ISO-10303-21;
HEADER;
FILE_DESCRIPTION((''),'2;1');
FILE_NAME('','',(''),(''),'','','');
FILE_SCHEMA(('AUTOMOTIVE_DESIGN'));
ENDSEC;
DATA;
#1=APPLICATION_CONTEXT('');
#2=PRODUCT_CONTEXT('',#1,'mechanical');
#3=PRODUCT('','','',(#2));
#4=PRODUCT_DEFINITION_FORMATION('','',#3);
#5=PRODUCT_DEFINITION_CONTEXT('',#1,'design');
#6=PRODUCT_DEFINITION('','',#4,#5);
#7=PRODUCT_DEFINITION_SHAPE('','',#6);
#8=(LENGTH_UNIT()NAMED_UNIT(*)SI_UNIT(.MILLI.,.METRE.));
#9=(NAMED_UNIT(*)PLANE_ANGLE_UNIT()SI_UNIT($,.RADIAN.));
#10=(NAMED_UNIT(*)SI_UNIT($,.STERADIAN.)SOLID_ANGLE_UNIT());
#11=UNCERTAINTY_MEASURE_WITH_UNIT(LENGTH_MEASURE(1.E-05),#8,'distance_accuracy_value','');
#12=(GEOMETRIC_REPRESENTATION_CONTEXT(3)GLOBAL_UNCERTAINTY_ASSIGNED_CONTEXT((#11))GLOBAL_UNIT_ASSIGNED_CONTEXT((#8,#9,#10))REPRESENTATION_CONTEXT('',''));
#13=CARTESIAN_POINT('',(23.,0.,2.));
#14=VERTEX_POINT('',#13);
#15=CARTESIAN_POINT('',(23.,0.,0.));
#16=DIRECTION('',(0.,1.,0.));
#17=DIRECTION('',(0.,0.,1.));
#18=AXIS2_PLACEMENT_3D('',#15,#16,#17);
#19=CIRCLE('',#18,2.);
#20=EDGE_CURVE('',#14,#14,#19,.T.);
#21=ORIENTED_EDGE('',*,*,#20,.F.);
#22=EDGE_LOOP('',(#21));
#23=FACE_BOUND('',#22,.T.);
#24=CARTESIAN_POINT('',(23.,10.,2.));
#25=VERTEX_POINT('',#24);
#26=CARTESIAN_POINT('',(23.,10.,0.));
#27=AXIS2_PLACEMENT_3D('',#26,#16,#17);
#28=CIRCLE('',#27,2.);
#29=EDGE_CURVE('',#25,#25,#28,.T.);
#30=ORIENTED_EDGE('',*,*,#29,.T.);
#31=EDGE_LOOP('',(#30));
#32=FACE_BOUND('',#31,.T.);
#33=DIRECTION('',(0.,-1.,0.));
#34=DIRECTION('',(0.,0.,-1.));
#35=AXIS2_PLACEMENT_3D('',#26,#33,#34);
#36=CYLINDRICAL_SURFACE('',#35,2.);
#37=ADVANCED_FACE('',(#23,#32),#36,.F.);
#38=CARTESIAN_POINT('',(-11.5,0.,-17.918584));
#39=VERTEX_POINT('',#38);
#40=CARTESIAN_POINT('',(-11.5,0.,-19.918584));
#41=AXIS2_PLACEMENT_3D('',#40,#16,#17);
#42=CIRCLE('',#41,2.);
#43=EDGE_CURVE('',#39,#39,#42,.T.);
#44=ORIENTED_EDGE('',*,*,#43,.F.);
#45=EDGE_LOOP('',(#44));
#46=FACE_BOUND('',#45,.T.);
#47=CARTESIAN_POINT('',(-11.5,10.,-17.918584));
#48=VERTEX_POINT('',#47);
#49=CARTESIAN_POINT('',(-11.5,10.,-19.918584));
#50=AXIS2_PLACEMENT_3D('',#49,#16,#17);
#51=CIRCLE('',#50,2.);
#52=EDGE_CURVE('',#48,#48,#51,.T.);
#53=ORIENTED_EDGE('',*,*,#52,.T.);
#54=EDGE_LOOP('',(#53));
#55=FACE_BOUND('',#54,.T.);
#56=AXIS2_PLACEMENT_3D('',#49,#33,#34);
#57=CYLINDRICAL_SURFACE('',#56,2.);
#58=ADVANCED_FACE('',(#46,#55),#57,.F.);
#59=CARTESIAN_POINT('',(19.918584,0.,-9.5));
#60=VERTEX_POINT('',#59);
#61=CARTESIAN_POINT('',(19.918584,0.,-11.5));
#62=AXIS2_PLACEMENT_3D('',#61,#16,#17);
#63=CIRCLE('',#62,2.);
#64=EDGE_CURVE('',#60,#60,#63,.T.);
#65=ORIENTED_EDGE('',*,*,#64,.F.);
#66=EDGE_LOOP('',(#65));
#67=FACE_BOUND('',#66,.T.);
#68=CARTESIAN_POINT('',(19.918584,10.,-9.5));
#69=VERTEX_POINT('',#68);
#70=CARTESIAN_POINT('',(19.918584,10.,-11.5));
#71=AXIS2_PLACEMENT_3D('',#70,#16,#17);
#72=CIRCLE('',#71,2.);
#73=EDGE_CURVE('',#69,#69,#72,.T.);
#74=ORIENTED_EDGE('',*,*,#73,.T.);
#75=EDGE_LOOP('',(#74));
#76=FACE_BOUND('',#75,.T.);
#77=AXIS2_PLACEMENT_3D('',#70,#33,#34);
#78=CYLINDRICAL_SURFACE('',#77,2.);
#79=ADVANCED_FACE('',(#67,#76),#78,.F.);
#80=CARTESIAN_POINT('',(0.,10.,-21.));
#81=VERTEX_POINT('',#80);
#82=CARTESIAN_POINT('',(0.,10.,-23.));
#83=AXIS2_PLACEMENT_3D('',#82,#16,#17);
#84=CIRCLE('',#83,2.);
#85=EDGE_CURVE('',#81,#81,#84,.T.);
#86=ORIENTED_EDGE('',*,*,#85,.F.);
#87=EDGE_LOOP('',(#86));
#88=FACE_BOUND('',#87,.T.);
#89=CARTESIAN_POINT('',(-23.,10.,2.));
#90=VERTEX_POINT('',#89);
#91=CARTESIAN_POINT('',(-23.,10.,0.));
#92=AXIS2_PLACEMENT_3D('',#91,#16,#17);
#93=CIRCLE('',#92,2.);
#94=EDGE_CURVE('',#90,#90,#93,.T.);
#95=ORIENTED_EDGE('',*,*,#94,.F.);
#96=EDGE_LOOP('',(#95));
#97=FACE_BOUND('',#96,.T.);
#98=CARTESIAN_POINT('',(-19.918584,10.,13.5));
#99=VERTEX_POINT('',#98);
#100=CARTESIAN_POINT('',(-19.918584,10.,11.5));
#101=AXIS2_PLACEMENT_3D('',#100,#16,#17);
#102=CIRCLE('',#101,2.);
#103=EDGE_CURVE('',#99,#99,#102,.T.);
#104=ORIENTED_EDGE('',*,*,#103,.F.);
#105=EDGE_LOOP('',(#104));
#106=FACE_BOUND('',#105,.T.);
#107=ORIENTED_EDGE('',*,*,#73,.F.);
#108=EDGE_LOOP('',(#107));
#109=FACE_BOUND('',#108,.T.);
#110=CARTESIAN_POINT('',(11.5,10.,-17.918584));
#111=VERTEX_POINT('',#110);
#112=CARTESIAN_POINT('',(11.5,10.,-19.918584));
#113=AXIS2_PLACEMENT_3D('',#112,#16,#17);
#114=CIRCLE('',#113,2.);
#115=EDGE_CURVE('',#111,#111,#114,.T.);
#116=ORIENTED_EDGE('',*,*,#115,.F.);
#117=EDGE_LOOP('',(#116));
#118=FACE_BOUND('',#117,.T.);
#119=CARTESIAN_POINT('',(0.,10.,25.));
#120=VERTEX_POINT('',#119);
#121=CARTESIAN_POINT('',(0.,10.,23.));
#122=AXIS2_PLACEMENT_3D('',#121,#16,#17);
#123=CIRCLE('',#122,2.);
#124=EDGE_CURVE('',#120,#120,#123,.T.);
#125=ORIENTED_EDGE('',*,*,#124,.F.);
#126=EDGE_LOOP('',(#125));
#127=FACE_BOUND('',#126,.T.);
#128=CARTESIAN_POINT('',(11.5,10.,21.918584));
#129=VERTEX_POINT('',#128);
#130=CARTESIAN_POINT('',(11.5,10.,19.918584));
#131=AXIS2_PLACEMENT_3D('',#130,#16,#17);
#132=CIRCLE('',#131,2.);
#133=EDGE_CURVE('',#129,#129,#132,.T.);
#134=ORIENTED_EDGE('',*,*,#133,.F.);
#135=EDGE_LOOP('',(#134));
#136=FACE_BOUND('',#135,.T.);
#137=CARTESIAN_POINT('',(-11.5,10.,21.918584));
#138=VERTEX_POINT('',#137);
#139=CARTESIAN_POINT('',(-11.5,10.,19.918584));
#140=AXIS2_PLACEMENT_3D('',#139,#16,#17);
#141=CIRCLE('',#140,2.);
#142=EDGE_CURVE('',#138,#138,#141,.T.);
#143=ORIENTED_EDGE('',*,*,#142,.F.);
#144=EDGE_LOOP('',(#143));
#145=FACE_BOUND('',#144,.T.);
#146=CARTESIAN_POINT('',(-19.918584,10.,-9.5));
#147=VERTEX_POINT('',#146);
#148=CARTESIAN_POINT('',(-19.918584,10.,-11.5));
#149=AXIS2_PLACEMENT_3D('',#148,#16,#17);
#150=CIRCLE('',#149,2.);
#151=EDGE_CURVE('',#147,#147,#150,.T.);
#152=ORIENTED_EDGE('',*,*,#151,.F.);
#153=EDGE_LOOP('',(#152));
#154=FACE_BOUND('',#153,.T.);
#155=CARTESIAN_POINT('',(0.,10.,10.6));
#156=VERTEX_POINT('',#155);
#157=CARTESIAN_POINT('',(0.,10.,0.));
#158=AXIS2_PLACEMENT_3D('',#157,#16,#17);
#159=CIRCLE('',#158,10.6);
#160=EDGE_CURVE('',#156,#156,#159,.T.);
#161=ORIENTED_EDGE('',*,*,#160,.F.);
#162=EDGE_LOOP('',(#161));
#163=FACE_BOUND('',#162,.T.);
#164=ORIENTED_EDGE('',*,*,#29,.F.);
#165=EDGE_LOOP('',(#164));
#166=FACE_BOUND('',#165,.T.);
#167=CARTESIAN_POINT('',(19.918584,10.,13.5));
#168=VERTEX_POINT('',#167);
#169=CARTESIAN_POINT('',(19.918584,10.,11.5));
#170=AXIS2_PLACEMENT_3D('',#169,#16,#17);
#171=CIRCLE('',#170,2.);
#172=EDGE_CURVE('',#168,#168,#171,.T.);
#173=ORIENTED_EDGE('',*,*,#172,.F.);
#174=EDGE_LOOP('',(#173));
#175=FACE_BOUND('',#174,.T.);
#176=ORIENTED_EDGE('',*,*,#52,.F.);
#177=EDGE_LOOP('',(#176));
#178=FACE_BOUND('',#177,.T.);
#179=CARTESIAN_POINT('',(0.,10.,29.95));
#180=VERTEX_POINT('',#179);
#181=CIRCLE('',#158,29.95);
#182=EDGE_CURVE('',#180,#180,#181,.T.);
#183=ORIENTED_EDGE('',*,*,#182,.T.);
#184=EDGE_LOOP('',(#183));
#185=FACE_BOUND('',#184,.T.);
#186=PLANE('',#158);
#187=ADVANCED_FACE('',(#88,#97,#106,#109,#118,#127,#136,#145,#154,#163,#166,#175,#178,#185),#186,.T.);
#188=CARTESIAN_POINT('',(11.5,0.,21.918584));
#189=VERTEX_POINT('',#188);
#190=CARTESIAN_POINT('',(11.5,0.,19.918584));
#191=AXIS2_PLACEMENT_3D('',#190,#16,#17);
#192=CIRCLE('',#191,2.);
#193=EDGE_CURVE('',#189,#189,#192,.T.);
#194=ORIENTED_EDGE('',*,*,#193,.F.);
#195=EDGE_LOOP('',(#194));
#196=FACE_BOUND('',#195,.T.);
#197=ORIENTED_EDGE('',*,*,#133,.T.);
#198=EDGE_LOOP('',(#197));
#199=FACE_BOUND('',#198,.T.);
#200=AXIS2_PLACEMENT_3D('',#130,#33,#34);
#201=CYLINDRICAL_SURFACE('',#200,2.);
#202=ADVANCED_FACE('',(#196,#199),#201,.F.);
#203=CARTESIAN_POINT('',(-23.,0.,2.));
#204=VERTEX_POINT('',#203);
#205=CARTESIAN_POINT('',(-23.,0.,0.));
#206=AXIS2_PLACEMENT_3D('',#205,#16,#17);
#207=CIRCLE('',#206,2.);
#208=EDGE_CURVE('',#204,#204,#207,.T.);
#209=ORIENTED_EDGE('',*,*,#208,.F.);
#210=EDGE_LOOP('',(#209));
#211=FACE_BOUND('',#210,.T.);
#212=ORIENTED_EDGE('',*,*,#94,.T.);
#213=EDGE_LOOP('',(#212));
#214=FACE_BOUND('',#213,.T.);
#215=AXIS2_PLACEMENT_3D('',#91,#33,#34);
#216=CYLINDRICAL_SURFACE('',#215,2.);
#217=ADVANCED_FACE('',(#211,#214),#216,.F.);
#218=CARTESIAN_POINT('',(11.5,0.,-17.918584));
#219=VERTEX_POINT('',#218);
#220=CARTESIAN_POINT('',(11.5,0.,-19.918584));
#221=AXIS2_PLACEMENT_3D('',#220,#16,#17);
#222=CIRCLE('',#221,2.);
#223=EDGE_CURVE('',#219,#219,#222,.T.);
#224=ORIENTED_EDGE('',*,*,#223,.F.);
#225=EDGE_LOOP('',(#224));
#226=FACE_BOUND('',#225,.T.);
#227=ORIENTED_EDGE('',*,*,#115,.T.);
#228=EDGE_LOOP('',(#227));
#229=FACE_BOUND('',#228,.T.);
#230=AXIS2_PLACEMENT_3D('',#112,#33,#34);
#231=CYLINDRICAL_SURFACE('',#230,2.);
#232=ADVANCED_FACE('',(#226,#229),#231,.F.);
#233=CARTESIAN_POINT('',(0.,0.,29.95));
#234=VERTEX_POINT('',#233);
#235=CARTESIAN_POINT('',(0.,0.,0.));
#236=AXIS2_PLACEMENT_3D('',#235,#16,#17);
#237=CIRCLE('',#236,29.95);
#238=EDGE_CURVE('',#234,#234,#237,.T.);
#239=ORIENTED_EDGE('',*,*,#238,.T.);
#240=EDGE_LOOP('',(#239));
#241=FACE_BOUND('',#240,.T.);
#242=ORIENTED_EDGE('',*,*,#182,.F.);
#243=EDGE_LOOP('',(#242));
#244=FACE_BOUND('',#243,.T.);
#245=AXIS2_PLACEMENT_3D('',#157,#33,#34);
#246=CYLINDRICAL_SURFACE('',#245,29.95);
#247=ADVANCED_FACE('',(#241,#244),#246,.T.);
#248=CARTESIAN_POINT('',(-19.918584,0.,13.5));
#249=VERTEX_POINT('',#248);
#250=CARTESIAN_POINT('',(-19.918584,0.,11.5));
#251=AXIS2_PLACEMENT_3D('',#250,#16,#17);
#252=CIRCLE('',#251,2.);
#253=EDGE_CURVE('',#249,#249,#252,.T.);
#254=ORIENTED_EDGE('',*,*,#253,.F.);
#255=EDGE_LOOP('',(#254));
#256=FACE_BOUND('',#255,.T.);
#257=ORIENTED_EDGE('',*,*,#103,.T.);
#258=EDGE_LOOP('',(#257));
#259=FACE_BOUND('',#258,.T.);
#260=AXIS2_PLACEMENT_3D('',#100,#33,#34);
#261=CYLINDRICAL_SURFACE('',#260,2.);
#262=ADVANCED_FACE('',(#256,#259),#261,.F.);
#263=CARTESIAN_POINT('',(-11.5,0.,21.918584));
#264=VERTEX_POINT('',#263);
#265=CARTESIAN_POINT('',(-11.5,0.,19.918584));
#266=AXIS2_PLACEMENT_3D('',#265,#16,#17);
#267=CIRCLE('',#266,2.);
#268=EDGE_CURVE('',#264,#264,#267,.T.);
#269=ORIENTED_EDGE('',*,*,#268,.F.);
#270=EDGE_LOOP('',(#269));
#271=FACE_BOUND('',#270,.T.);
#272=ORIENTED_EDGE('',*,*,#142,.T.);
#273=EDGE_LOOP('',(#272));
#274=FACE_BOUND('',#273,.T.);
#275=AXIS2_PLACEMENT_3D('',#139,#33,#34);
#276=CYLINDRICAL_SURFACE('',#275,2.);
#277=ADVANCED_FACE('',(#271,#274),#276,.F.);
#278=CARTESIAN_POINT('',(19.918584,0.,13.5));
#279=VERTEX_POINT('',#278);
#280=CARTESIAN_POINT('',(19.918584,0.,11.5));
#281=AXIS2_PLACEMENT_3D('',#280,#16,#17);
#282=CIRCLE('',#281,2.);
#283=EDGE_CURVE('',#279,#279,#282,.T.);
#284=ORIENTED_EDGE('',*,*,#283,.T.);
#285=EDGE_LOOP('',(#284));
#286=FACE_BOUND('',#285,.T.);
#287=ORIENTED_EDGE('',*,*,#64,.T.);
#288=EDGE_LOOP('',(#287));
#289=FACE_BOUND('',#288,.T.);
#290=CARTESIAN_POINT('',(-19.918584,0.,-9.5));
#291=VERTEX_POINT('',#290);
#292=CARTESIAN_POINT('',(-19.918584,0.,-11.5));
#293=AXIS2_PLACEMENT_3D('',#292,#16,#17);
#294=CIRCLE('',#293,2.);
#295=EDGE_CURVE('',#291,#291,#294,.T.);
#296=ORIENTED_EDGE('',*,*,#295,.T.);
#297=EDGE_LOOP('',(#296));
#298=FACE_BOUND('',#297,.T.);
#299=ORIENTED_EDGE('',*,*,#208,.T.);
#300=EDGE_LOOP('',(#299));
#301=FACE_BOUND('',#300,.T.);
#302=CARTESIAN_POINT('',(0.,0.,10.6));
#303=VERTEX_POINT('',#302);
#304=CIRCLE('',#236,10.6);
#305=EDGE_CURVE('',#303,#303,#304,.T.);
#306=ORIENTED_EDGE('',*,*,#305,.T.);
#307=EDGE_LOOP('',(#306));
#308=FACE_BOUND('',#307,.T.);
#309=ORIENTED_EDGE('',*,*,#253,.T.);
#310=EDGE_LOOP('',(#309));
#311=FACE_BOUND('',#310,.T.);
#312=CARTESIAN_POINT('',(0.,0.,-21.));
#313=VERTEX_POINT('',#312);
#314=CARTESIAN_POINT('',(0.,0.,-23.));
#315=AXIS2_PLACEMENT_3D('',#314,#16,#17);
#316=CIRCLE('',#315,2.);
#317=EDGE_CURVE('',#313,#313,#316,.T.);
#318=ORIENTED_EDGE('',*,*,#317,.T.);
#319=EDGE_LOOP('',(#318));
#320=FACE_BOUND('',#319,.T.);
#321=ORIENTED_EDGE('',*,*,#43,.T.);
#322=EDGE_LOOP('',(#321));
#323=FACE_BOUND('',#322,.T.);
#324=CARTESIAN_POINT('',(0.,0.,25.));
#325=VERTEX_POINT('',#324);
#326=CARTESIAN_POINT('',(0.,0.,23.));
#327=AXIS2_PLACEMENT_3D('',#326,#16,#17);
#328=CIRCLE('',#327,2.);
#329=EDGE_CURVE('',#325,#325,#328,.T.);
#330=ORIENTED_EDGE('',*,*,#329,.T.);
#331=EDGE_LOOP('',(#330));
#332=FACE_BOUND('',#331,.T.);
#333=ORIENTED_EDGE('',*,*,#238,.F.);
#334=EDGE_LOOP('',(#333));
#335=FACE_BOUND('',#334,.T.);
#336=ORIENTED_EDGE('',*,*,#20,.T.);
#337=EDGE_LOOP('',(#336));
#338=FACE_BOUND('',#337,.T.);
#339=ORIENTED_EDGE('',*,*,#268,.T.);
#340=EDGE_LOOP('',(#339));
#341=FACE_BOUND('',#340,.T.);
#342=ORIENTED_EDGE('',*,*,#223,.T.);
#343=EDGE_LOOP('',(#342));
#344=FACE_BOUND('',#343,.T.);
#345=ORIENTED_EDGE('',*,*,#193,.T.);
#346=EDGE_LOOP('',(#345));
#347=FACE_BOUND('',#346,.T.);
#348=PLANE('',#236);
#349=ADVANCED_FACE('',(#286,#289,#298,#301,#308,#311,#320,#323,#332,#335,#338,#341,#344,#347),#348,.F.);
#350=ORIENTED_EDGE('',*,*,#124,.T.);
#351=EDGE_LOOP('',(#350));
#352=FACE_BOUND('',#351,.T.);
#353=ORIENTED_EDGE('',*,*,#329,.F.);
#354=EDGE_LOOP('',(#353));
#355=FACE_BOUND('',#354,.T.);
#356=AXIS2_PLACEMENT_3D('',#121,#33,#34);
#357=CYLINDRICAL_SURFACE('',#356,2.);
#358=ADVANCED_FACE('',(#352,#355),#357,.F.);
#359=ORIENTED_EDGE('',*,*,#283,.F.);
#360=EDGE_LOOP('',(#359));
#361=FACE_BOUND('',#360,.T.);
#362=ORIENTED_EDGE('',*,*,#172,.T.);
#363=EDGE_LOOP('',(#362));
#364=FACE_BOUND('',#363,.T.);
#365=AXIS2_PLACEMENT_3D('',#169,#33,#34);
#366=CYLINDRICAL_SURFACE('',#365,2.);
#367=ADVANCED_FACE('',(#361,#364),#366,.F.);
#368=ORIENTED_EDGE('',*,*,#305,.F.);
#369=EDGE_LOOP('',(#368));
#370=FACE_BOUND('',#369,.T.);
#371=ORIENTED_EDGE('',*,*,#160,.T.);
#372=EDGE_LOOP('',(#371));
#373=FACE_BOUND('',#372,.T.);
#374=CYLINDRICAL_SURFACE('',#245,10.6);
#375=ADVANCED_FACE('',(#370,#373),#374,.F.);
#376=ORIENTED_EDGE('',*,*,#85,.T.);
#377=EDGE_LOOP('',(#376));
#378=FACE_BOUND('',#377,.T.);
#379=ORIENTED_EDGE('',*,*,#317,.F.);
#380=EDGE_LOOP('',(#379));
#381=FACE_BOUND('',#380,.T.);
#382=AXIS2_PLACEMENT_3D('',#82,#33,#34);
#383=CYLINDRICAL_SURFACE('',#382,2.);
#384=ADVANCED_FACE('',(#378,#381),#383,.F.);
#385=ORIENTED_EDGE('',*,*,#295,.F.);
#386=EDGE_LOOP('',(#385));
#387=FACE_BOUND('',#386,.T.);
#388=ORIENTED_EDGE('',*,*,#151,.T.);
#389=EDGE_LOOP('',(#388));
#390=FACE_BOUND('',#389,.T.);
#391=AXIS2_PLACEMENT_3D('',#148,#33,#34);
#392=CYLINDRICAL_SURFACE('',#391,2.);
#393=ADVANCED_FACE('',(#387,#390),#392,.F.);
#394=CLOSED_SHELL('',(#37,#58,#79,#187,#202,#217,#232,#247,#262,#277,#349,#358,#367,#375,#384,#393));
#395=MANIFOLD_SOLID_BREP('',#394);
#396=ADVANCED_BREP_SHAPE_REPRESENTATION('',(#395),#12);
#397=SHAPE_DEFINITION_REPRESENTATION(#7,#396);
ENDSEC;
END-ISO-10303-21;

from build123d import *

# Parameters (mm, degrees)
SKETCH1_R           = 29.95
SKETCH1_R_2         = 2
SKETCH1_R_3         = 10.6
BOSS_EXTRUDE1_DEPTH = 10


with BuildPart() as part:
    # Sketch1 → Boss-Extrude1 (new body)
    with BuildSketch(Plane(origin=(0, 0, 0), x_dir=(1, 0, 0), z_dir=(0, 1, 0))):
        with Locations(Location((0, 0, 0), (0, 0, 270))):
            Circle(SKETCH1_R)
        with Locations(Location((0, 23, 0), (0, 0, 270))):
            Circle(SKETCH1_R_2, mode=Mode.SUBTRACT)
        with Locations(Location((11.5, 19.918584287, 0), (0, 0, 270))):
            Circle(SKETCH1_R_2, mode=Mode.SUBTRACT)
        with Locations(Location((19.918584287, 11.5, 0), (0, 0, 270))):
            Circle(SKETCH1_R_2, mode=Mode.SUBTRACT)
        with Locations(Location((23, 0, 0), (0, 0, 270))):
            Circle(SKETCH1_R_2, mode=Mode.SUBTRACT)
        with Locations(Location((19.918584287, -11.5, 0), (0, 0, 270))):
            Circle(SKETCH1_R_2, mode=Mode.SUBTRACT)
        with Locations(Location((11.5, -19.918584287, 0), (0, 0, 270))):
            Circle(SKETCH1_R_2, mode=Mode.SUBTRACT)
        with Locations(Location((0, 0, 0), (0, 0, 270))):
            Circle(SKETCH1_R_3, mode=Mode.SUBTRACT)
        with Locations(Location((0, -23, 0), (0, 0, 270))):
            Circle(SKETCH1_R_2, mode=Mode.SUBTRACT)
        with Locations(Location((-11.5, -19.918584287, 0), (0, 0, 270))):
            Circle(SKETCH1_R_2, mode=Mode.SUBTRACT)
        with Locations(Location((-19.918584287, -11.5, 0), (0, 0, 270))):
            Circle(SKETCH1_R_2, mode=Mode.SUBTRACT)
        with Locations(Location((-23, 0, 0), (0, 0, 270))):
            Circle(SKETCH1_R_2, mode=Mode.SUBTRACT)
        with Locations(Location((-19.918584287, 11.5, 0), (0, 0, 270))):
            Circle(SKETCH1_R_2, mode=Mode.SUBTRACT)
        with Locations(Location((-11.5, 19.918584287, 0), (0, 0, 270))):
            Circle(SKETCH1_R_2, mode=Mode.SUBTRACT)
    extrude(amount=BOSS_EXTRUDE1_DEPTH)


solid = part.part
